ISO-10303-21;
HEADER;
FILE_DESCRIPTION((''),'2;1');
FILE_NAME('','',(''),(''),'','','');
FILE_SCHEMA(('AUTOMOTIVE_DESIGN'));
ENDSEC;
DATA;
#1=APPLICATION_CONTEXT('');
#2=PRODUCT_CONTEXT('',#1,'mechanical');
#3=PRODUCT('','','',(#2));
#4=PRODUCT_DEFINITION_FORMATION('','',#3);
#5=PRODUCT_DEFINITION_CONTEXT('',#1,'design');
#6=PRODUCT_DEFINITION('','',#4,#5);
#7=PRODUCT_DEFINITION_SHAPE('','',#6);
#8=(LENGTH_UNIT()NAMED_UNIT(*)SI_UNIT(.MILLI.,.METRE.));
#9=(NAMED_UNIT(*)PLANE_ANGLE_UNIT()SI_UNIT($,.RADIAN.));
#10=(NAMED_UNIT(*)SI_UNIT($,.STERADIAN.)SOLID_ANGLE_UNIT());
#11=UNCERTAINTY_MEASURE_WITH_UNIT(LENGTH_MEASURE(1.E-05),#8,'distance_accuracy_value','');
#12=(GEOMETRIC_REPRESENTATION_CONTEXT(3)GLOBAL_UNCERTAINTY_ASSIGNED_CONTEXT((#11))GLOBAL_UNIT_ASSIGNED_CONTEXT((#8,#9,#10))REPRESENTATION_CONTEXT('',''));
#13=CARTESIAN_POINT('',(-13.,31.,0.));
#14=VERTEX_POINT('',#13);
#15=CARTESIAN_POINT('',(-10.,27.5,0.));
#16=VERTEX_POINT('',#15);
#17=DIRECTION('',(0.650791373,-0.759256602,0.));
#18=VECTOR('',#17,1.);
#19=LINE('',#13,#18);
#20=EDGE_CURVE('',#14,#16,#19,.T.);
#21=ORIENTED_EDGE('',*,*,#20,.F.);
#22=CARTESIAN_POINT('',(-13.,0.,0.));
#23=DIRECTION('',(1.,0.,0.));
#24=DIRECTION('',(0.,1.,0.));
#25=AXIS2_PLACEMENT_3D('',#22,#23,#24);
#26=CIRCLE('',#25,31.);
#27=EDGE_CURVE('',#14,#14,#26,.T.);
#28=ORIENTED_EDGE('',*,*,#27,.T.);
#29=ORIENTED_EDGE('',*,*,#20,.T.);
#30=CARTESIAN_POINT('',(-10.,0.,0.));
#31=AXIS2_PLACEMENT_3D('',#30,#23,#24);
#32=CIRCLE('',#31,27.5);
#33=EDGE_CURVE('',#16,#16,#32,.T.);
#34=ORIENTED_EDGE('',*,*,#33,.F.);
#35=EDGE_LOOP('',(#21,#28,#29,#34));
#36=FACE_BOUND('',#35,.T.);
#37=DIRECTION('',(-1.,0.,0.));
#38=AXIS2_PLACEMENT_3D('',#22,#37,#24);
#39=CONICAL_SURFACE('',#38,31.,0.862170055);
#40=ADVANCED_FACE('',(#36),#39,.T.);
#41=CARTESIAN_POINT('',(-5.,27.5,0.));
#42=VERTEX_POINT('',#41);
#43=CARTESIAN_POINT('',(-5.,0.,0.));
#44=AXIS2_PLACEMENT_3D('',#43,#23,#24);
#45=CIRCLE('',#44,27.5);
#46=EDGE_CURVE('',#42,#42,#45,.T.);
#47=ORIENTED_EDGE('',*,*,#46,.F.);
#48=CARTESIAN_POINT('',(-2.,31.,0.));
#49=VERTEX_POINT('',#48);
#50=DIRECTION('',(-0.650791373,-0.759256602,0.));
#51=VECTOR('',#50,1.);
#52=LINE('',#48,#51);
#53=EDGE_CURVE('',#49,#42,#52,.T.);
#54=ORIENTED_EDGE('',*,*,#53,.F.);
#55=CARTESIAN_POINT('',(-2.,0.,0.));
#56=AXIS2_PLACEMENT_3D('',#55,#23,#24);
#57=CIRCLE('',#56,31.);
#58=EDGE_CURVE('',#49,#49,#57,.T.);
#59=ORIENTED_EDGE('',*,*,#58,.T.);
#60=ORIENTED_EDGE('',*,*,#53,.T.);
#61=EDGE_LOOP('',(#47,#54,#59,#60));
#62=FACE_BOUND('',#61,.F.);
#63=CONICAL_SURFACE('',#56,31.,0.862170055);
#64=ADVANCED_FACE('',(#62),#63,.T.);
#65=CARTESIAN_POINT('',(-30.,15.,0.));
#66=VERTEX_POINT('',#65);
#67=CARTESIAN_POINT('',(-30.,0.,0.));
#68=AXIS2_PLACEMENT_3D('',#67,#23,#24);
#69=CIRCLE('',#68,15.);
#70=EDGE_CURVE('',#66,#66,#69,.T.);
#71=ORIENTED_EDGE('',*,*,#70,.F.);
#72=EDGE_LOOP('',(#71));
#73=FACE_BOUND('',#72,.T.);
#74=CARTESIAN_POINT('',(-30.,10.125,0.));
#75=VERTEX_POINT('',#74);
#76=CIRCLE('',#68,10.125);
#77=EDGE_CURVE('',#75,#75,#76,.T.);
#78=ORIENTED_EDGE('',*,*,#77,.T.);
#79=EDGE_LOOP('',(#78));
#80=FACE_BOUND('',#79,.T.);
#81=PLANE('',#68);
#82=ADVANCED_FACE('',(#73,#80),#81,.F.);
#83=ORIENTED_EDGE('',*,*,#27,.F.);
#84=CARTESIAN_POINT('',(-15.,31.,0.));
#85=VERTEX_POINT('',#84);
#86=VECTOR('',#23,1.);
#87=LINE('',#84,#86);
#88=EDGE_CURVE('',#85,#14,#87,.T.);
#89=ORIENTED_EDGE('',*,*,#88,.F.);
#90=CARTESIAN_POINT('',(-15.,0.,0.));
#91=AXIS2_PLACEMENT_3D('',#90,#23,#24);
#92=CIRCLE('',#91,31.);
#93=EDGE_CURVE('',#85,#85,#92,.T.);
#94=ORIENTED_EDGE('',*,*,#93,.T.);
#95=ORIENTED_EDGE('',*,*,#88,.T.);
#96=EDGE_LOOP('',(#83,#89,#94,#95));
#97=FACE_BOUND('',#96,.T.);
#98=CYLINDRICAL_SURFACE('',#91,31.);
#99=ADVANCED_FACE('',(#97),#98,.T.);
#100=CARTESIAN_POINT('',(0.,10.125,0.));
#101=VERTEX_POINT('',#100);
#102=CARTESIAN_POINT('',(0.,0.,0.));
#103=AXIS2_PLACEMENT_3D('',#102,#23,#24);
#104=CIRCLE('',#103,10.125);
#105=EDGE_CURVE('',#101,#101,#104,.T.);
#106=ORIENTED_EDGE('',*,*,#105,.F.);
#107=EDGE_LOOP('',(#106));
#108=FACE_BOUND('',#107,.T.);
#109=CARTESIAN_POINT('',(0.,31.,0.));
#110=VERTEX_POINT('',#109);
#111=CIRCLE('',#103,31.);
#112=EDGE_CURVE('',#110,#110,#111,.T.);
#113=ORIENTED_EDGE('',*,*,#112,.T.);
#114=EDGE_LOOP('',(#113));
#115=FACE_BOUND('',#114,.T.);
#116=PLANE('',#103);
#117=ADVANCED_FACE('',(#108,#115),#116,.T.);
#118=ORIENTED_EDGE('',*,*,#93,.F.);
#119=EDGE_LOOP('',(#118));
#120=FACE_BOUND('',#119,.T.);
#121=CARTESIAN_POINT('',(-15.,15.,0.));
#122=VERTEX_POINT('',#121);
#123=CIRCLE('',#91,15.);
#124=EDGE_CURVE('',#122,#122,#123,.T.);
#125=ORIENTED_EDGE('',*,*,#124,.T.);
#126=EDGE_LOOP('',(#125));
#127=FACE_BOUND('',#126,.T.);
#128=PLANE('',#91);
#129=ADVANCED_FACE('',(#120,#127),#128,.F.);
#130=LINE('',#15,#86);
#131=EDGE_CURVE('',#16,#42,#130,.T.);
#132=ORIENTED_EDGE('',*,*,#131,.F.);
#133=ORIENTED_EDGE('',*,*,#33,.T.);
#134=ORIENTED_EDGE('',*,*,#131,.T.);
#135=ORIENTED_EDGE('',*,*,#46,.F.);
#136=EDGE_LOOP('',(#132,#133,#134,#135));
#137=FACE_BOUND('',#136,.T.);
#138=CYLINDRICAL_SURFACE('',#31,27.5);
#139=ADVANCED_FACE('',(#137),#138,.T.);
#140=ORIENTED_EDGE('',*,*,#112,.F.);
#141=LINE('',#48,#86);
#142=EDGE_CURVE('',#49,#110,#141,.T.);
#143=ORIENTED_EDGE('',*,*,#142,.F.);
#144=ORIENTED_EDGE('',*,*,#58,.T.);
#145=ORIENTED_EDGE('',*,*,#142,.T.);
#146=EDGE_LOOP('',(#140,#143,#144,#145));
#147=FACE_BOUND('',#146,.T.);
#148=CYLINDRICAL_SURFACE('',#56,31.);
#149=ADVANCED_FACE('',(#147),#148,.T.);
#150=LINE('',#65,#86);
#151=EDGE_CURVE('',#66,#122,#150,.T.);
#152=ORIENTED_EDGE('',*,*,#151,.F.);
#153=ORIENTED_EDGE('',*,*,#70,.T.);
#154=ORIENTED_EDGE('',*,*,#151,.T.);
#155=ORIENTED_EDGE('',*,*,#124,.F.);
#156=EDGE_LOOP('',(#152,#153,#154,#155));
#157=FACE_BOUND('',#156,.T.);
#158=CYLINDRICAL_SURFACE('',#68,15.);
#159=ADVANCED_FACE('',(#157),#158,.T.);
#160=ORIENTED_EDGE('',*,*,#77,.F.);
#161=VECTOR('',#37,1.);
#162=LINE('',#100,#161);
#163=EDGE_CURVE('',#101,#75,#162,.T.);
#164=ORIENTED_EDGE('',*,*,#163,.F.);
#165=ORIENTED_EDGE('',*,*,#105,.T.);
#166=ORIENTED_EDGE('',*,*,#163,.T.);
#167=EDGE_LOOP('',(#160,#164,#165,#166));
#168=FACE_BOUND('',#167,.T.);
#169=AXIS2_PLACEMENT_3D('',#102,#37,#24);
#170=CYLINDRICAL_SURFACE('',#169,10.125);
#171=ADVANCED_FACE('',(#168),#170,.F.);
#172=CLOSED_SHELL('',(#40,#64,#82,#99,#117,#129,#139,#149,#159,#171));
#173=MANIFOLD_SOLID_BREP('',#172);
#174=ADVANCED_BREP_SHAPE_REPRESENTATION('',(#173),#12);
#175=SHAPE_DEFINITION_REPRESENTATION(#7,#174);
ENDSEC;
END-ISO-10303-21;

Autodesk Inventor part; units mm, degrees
ref_plane "YZ Plane" through (0, 0, 0) normal (1, 0, 0) x (0, 1, 0)
ref_plane "XZ Plane" through (0, 0, 0) normal (0, 1, 0) x (-1, 0, 0)
ref_plane "XY Plane" through (0, 0, 0) normal (0, 0, 1) x (1, 0, 0)
sketch "Boceto1" plane through (0, 0, 0) normal (0, 0, 1) x (1, 0, 0)
  line L0 (-24.1261, 0) -> (26.0802, 0) construction
  line L1 (0, 10.125) -> (-30, 10.125)
  line L2 (-30, 10.125) -> (-30, 15)
  line L3 (-30, 15) -> (-15, 15)
  line L4 (-15, 15) -> (-15, 31)
  line L5 (0, 31) -> (0, 10.125)
  line L6 (-15, 31) -> (-13, 31)
  line L7 (-13, 31) -> (-10, 27.5)
  line L8 (-10, 27.5) -> (-5, 27.5)
  line L9 (-2, 31) -> (0, 31)
  line L10 (-2, 31) -> (-5, 27.5)
  line L11 (-7.5, 27.5) -> (-7.5, 0) construction
  point P0 (0, 0)
  point P1 (0, 20.5625)
  dimension "d0" = 27.5
  dimension "d1" = 31
  dimension "d2" = 10.125
  dimension "d3" = 15
  dimension "d4" = 15
  dimension "d5" = 2
  dimension "d6" = 2
  dimension "d7" = 5
  dimension "d8" = 7.5
  dimension "d9" = 15
revolve "Revolución1" add sketch "Boceto1" angle 360 about axis through (-24.1261, 0, 0) along (1, 0, 0)
properties part number "PoleaBrazos"
